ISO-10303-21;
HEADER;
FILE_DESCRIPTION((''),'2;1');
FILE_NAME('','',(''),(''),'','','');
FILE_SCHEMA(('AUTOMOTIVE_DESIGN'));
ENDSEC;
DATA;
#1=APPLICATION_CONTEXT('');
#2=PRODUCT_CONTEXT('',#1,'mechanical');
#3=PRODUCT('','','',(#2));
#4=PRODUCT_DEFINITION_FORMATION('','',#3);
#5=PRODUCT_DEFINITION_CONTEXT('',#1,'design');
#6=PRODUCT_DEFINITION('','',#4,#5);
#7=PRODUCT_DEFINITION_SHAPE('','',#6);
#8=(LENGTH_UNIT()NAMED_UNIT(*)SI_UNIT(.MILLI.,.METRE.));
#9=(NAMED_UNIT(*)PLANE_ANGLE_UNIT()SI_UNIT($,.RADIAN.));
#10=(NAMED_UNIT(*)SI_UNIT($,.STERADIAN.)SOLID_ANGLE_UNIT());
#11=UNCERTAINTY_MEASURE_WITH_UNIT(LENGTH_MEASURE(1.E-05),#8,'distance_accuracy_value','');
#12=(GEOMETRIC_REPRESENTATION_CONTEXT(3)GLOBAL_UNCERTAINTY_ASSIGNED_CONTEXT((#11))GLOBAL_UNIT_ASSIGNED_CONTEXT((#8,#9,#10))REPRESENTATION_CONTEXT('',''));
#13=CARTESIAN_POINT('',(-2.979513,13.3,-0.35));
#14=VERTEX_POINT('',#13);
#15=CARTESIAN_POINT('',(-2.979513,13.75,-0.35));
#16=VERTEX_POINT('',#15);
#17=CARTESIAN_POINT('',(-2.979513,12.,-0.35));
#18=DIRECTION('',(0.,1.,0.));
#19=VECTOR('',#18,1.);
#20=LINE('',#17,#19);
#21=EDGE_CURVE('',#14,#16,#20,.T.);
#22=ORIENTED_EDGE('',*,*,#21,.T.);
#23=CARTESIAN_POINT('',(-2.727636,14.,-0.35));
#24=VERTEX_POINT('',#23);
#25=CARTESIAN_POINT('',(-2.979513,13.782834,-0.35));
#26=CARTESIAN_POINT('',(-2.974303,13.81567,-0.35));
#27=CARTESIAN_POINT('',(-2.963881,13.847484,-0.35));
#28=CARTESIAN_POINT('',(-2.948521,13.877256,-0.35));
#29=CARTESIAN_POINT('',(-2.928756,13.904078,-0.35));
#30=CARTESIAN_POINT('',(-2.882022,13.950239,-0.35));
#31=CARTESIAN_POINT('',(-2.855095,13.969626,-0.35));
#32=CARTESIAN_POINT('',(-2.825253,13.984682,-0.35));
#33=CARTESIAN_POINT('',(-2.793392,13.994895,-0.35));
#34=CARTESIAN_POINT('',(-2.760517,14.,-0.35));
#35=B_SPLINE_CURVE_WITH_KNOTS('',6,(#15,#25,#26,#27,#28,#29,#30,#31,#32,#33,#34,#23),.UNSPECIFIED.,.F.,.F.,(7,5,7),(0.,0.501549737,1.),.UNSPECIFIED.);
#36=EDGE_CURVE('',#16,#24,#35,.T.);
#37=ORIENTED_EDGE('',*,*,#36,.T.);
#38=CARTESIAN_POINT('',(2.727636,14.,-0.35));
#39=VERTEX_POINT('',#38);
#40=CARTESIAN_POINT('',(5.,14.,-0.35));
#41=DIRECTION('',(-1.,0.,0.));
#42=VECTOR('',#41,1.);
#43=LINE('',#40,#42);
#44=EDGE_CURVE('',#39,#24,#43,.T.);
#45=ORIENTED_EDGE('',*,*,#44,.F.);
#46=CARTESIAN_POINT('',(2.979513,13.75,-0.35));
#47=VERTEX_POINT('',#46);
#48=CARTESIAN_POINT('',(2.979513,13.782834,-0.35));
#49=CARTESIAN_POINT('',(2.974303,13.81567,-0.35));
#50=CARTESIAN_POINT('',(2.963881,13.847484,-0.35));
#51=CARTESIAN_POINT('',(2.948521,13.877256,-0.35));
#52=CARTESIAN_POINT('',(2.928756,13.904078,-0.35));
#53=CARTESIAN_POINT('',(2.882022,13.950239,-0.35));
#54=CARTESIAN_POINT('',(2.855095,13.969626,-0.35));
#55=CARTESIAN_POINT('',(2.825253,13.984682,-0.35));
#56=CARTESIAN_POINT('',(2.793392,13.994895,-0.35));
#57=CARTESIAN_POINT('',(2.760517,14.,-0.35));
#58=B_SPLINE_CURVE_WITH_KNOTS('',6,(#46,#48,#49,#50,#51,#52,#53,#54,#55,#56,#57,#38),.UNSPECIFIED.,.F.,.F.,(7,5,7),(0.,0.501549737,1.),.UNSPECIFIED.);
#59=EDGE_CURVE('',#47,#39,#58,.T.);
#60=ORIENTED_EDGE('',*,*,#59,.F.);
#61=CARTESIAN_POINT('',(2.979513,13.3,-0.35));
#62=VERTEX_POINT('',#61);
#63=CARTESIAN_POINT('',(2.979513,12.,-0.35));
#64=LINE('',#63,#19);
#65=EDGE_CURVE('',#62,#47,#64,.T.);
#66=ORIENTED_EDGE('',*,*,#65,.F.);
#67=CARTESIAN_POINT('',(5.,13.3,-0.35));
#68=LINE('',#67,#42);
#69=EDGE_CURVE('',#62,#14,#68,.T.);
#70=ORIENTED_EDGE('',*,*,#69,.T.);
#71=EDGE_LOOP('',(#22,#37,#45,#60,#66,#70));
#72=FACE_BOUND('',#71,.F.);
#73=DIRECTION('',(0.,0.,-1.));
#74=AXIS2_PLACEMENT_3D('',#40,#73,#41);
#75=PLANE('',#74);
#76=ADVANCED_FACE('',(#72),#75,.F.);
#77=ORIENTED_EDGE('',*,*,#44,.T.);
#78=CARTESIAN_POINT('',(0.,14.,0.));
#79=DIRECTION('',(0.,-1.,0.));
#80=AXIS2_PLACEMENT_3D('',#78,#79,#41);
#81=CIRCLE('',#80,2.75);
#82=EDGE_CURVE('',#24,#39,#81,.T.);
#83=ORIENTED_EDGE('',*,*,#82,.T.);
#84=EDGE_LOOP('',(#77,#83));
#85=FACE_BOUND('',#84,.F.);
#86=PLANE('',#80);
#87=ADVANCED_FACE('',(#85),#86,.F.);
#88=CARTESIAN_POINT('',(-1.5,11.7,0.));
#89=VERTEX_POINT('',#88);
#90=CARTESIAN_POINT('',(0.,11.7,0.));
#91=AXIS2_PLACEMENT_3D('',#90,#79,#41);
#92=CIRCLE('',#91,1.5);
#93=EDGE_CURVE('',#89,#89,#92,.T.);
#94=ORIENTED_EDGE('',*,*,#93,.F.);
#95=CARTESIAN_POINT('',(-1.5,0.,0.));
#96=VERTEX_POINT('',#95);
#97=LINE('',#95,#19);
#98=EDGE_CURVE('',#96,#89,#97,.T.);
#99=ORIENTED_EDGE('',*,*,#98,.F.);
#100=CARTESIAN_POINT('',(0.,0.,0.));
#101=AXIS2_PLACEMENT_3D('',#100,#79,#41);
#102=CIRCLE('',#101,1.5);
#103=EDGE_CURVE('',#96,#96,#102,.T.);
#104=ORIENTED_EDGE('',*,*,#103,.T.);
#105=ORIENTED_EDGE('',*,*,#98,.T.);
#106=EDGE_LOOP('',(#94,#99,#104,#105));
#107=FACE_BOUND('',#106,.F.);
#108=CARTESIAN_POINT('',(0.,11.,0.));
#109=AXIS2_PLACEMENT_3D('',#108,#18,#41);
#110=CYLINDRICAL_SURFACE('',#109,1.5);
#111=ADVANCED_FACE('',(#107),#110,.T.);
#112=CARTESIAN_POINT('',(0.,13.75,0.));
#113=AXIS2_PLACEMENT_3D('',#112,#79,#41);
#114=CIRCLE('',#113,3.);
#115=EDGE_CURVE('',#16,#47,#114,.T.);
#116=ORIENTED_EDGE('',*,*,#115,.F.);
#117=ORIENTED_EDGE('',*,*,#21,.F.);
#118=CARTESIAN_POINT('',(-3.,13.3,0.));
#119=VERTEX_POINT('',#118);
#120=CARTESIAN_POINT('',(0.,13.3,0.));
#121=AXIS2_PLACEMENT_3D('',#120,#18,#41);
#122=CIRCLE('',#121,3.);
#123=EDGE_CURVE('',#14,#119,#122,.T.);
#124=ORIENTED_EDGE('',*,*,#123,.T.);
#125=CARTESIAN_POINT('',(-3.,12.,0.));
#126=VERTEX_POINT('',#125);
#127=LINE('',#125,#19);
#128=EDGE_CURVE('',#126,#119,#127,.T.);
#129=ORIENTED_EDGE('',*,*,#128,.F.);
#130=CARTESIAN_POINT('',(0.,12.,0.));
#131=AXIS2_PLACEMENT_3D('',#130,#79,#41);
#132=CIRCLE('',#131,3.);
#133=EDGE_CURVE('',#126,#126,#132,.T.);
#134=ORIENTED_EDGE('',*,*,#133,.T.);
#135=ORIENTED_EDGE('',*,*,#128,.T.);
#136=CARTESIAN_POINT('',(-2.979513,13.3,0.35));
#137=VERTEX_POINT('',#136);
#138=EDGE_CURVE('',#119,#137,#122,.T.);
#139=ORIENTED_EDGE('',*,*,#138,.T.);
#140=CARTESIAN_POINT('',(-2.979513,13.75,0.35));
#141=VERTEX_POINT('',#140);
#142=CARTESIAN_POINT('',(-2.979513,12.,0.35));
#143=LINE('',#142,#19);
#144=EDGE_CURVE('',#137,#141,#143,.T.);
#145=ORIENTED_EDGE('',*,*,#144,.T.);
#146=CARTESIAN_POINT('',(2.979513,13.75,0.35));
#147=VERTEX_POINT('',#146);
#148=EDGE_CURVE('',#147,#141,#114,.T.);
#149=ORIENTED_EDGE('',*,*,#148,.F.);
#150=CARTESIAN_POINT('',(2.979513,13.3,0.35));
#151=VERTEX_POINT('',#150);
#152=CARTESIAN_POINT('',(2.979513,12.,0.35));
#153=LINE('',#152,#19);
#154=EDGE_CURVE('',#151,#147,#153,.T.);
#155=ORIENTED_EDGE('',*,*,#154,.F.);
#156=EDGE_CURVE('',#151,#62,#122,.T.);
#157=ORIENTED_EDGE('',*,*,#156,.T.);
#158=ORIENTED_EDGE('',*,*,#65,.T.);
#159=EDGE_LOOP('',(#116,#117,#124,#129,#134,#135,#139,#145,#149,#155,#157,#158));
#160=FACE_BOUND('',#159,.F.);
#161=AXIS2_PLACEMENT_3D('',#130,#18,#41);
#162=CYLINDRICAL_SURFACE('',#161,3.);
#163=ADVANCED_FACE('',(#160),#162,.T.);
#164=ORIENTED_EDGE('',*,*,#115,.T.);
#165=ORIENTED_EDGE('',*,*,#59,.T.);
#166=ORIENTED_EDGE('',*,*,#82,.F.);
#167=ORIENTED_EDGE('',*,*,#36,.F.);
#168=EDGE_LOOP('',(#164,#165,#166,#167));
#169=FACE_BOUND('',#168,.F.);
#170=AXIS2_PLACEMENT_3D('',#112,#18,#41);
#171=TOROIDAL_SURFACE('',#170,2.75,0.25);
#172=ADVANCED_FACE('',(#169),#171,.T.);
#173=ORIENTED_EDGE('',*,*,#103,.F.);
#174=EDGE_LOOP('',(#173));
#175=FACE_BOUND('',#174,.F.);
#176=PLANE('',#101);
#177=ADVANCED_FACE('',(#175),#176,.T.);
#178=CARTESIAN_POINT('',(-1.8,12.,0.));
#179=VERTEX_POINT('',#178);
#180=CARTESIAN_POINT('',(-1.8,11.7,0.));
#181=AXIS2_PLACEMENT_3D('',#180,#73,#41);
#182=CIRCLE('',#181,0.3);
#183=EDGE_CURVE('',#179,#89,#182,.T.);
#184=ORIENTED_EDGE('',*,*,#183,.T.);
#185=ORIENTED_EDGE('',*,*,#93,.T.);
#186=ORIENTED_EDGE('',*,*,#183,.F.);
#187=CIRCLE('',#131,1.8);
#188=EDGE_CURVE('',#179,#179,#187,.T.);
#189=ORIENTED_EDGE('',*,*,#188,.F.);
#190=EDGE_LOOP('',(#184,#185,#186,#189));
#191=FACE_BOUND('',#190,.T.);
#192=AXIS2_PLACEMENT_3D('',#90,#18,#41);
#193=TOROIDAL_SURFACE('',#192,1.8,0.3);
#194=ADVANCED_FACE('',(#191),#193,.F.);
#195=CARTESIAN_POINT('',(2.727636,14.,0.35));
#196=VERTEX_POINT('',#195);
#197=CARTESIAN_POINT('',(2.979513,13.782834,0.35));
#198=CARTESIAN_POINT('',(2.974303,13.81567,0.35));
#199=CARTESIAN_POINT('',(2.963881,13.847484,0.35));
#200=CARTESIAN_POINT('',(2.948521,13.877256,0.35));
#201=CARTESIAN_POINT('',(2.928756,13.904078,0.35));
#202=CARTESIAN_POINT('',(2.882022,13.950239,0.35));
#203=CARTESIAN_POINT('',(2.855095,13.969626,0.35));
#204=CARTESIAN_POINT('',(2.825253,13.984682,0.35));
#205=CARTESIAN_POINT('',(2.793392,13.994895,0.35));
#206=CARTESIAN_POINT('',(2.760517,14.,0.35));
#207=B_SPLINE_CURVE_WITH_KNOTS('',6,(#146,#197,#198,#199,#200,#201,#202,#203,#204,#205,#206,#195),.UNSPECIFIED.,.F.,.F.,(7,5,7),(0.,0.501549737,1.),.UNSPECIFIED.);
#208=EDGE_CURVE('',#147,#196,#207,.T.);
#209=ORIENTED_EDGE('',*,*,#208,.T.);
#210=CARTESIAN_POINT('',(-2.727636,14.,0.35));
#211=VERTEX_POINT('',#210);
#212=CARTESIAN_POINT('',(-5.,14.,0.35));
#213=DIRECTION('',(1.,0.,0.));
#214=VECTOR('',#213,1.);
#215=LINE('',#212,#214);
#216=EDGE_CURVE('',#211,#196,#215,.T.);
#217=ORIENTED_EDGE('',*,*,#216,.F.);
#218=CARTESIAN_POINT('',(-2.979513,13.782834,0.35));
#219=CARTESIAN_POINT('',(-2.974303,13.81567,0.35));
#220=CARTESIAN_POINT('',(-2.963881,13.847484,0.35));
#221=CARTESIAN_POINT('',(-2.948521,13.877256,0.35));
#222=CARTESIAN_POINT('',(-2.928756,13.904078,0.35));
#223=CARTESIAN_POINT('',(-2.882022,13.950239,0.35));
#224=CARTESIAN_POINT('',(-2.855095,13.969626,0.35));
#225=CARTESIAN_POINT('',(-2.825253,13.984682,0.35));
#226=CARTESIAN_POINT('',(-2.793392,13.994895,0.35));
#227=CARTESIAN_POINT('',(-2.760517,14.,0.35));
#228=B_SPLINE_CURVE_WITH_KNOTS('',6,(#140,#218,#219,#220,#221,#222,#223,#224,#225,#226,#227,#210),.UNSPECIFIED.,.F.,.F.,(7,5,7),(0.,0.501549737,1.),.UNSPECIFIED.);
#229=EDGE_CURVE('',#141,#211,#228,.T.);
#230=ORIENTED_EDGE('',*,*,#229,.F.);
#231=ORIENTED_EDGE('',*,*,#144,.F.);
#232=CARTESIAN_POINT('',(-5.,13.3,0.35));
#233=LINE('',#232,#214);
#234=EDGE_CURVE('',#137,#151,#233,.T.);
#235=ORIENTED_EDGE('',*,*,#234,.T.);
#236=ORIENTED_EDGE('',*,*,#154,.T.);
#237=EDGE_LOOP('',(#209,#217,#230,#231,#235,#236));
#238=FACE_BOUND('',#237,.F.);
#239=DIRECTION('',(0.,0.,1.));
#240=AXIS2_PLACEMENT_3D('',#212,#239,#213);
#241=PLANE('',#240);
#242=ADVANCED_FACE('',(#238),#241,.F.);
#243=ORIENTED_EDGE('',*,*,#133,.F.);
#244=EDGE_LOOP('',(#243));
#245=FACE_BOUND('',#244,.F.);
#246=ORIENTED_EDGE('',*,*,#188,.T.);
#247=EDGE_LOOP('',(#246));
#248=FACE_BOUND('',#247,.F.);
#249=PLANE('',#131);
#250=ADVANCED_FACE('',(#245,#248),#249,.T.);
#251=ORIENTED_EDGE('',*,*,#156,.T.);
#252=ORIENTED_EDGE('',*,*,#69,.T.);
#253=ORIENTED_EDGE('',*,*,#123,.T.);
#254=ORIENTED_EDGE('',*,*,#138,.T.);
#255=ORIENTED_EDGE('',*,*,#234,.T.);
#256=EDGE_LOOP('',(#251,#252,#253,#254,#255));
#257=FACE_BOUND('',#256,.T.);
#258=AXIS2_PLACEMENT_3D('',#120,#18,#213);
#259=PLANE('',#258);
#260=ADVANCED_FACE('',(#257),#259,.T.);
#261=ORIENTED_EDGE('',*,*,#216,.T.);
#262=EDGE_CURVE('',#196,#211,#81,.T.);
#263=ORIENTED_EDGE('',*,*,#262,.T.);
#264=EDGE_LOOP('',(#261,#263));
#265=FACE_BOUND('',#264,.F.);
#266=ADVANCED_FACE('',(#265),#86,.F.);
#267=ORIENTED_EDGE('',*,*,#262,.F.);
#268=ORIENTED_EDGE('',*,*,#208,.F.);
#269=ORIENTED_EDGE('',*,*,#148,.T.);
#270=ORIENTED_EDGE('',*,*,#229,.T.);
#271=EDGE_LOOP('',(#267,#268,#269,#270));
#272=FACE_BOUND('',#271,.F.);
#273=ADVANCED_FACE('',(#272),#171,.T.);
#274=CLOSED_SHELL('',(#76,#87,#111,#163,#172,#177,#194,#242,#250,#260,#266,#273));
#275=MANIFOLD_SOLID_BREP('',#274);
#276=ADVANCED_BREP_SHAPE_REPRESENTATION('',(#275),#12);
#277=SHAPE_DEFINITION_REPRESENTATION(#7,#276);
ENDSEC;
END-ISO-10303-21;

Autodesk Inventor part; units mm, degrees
ref_plane "YZ Plane" through (0, 0, 0) normal (1, 0, 0) x (0, 1, 0)
ref_plane "XZ Plane" through (0, 0, 0) normal (0, 1, 0) x (-1, 0, 0)
ref_plane "XY Plane" through (0, 0, 0) normal (0, 0, 1) x (1, 0, 0)
sketch "Sketch1" plane through (0, 0, 0) normal (0, 0, 1) x (1, 0, 0)
  line L0 (0, 0) -> (-1.5, 0)
  line L1 (-1.5, 0) -> (-1.5, 11)
  line L2 (-1.5, 11) -> (-1.5, 11)
  line L3 (-1.5, 11) -> (-1.5, 12)
  line L4 (-1.5, 12) -> (-3, 12)
  line L5 (-3, 12) -> (-3, 14)
  line L6 (-3, 14) -> (0, 14)
  line L7 (0, 14) -> (0, 0)
  dimension "d0" = 2
  dimension "d1" = 3
  dimension "d2" = 1.5
  dimension "d3" = 0
  dimension "d4" = 1
  dimension "d5" = 14
  dimension "d6" = 90
revolve "Revolution1" add sketch "Sketch1" angle 360 about axis through (0, 14, 0) along (0, -1, 0)
thread "Thread1" size "M3x0.5" class "6g" standard "ANSI Metric M Profile" length 27
sketch "Sketch2" plane through (0, 14, 0) normal (0, 1, 0) x (1, 0, 0)
  line L0 (5, 0.35) -> (-5, 0.35)
  line L1 (-5, 0.35) -> (-5, -0.35)
  line L2 (-5, -0.35) -> (5, -0.35)
  line L3 (5, -0.35) -> (5, 0.35)
  line L4 (5, 0.35) -> (-5, -0.35) construction
  line L5 (-5, 0.35) -> (5, -0.35) construction
  point P0 (0, 0)
  dimension "d10" = 10
  dimension "d11" = 0.7
fillet "Fillet1" radius 0.25 1 edges at (3, 14, 0)
extrude "Extrusion2" cut sketch "Sketch2" against normal blind 0.7
fillet "Fillet2" radius 0.3 1 edges at (1.5, 12, 0)
properties part number "TorsionOscillator-Screw-M3-Brass-CheeseHead-12mm-Std" material "Brass, Soft Yellow"
